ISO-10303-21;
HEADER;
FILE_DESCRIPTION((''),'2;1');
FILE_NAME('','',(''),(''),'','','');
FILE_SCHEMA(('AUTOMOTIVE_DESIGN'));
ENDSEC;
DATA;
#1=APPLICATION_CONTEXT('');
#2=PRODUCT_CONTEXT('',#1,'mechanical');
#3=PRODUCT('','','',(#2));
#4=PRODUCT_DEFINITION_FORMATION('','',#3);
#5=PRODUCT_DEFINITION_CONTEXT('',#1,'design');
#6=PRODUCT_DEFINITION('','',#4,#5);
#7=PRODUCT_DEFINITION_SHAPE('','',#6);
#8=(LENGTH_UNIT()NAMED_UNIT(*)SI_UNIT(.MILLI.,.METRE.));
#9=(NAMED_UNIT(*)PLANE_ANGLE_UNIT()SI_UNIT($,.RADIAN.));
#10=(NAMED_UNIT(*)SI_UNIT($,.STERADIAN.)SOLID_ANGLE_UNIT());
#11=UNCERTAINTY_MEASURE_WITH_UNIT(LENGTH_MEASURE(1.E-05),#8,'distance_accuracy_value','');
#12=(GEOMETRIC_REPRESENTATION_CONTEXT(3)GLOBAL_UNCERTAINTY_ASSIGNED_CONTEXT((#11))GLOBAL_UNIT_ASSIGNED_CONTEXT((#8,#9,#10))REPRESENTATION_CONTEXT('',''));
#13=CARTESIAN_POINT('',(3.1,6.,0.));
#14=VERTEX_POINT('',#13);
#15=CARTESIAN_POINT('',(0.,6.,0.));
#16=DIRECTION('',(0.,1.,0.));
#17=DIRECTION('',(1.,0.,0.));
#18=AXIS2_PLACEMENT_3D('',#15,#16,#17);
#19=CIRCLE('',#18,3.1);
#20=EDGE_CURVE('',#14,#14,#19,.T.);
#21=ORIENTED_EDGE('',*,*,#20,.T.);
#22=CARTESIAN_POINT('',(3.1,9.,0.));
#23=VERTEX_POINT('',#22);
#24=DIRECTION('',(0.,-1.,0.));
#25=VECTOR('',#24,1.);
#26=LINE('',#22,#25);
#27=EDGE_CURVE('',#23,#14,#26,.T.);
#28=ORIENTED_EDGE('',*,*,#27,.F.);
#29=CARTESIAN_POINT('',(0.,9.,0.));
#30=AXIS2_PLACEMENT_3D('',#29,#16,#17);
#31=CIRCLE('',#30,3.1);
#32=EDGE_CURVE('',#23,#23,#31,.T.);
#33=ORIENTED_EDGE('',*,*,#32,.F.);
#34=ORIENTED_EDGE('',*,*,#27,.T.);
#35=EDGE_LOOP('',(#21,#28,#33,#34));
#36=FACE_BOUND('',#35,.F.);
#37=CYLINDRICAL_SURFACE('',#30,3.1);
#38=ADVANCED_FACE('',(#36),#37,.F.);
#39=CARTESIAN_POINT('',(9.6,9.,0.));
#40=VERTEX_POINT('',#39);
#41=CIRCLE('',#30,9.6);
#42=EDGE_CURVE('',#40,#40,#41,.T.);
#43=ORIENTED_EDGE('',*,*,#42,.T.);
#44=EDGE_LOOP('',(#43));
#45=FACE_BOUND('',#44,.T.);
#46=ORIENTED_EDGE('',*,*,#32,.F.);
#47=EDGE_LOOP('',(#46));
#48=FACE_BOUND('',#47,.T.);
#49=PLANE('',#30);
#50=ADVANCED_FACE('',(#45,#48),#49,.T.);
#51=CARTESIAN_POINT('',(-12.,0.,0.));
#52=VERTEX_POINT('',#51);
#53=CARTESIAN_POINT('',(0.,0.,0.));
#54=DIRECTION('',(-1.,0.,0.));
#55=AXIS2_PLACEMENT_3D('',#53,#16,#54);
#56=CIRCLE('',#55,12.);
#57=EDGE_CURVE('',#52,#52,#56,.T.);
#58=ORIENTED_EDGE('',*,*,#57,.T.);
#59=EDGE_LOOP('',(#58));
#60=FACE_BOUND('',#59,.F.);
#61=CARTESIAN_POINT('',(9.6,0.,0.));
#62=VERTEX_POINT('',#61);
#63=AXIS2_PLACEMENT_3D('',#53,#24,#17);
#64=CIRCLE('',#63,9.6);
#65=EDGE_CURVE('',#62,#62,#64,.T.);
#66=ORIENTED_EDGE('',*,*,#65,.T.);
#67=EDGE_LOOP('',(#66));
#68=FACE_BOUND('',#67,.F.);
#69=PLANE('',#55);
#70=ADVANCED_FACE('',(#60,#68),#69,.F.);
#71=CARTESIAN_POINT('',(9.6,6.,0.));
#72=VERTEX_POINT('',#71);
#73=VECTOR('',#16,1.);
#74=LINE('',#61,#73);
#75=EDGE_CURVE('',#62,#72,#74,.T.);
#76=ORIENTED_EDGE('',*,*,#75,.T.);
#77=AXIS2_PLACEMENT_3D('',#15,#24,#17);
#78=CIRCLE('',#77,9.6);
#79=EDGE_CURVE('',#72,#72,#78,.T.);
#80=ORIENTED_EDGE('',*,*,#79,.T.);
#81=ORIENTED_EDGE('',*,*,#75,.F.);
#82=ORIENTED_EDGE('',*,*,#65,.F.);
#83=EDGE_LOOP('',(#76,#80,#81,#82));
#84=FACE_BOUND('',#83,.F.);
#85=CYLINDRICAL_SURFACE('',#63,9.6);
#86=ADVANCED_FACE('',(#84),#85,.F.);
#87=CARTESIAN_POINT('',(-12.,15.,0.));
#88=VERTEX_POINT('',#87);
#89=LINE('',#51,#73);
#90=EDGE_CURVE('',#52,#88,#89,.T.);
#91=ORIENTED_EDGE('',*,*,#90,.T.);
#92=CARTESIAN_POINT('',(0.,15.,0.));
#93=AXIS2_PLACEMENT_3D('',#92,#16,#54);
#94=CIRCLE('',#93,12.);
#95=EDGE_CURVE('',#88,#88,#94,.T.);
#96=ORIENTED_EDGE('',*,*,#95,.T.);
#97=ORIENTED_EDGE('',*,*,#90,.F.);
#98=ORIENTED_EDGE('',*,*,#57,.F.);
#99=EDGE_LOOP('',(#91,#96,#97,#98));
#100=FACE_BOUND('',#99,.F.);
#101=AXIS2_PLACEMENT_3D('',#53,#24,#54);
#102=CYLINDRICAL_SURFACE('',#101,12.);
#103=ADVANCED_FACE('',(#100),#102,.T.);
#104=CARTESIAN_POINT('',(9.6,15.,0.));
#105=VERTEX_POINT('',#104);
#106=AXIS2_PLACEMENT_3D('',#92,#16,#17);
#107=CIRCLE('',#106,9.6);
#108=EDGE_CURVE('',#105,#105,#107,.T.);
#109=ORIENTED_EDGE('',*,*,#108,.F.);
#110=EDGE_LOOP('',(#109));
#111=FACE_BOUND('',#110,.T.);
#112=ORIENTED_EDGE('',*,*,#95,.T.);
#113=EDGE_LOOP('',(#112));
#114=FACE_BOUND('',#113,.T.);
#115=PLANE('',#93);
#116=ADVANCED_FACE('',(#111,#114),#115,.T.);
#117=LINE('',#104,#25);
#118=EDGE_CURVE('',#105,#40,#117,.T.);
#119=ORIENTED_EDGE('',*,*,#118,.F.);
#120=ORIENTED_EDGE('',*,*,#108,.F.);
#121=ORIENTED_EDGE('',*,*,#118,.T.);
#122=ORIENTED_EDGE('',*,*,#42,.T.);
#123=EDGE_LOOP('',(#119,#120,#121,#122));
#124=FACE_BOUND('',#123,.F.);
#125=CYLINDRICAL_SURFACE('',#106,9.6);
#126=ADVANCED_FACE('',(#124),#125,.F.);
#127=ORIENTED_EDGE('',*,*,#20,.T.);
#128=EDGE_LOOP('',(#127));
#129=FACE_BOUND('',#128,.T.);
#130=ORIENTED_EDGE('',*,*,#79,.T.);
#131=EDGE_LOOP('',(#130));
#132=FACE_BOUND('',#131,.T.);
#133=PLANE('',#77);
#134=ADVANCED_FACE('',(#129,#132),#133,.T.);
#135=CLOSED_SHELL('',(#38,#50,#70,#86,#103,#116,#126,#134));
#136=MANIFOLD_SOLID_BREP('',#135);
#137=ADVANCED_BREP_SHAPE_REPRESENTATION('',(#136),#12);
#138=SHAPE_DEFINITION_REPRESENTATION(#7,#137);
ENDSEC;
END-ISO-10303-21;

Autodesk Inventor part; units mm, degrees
ref_plane "YZ Plane" through (0, 0, 0) normal (1, 0, 0) x (0, 1, 0)
ref_plane "XZ Plane" through (0, 0, 0) normal (0, 1, 0) x (-1, 0, 0)
ref_plane "XY Plane" through (0, 0, 0) normal (0, 0, 1) x (1, 0, 0)
sketch "Sketch1" plane through (0, 0, 0) normal (0, 1, 0) x (-1, 0, 0)
  circle A0 centre (0, 0) radius 12
  dimension "d1" = 24
extrude "Extrusion1" add sketch "Sketch1" along normal blind 15
sketch "Sketch2" plane through (0, 15, 0) normal (0, 1, 0) x (1, 0, 0)
  circle A0 centre (0, 0) radius 9.6
  dimension "d4" = 19.2
extrude "Extrusion2" cut sketch "Sketch2" against normal blind 6
sketch "Sketch3" plane through (0, 0, 0) normal (0, -1, 0) x (1, 0, 0)
  circle A0 centre (0, 0) radius 9.6
  dimension "d7" = 19.2
extrude "Extrusion3" cut sketch "Sketch3" against normal blind 6
sketch "Sketch4" plane through (0, 9, 0) normal (0, 1, 0) x (1, 0, 0)
  circle A0 centre (0, 0) radius 3.1
  dimension "d10" = 6.2
extrude "Extrusion4" cut sketch "Sketch4" against normal blind 6
properties part number "Belt tensor"
